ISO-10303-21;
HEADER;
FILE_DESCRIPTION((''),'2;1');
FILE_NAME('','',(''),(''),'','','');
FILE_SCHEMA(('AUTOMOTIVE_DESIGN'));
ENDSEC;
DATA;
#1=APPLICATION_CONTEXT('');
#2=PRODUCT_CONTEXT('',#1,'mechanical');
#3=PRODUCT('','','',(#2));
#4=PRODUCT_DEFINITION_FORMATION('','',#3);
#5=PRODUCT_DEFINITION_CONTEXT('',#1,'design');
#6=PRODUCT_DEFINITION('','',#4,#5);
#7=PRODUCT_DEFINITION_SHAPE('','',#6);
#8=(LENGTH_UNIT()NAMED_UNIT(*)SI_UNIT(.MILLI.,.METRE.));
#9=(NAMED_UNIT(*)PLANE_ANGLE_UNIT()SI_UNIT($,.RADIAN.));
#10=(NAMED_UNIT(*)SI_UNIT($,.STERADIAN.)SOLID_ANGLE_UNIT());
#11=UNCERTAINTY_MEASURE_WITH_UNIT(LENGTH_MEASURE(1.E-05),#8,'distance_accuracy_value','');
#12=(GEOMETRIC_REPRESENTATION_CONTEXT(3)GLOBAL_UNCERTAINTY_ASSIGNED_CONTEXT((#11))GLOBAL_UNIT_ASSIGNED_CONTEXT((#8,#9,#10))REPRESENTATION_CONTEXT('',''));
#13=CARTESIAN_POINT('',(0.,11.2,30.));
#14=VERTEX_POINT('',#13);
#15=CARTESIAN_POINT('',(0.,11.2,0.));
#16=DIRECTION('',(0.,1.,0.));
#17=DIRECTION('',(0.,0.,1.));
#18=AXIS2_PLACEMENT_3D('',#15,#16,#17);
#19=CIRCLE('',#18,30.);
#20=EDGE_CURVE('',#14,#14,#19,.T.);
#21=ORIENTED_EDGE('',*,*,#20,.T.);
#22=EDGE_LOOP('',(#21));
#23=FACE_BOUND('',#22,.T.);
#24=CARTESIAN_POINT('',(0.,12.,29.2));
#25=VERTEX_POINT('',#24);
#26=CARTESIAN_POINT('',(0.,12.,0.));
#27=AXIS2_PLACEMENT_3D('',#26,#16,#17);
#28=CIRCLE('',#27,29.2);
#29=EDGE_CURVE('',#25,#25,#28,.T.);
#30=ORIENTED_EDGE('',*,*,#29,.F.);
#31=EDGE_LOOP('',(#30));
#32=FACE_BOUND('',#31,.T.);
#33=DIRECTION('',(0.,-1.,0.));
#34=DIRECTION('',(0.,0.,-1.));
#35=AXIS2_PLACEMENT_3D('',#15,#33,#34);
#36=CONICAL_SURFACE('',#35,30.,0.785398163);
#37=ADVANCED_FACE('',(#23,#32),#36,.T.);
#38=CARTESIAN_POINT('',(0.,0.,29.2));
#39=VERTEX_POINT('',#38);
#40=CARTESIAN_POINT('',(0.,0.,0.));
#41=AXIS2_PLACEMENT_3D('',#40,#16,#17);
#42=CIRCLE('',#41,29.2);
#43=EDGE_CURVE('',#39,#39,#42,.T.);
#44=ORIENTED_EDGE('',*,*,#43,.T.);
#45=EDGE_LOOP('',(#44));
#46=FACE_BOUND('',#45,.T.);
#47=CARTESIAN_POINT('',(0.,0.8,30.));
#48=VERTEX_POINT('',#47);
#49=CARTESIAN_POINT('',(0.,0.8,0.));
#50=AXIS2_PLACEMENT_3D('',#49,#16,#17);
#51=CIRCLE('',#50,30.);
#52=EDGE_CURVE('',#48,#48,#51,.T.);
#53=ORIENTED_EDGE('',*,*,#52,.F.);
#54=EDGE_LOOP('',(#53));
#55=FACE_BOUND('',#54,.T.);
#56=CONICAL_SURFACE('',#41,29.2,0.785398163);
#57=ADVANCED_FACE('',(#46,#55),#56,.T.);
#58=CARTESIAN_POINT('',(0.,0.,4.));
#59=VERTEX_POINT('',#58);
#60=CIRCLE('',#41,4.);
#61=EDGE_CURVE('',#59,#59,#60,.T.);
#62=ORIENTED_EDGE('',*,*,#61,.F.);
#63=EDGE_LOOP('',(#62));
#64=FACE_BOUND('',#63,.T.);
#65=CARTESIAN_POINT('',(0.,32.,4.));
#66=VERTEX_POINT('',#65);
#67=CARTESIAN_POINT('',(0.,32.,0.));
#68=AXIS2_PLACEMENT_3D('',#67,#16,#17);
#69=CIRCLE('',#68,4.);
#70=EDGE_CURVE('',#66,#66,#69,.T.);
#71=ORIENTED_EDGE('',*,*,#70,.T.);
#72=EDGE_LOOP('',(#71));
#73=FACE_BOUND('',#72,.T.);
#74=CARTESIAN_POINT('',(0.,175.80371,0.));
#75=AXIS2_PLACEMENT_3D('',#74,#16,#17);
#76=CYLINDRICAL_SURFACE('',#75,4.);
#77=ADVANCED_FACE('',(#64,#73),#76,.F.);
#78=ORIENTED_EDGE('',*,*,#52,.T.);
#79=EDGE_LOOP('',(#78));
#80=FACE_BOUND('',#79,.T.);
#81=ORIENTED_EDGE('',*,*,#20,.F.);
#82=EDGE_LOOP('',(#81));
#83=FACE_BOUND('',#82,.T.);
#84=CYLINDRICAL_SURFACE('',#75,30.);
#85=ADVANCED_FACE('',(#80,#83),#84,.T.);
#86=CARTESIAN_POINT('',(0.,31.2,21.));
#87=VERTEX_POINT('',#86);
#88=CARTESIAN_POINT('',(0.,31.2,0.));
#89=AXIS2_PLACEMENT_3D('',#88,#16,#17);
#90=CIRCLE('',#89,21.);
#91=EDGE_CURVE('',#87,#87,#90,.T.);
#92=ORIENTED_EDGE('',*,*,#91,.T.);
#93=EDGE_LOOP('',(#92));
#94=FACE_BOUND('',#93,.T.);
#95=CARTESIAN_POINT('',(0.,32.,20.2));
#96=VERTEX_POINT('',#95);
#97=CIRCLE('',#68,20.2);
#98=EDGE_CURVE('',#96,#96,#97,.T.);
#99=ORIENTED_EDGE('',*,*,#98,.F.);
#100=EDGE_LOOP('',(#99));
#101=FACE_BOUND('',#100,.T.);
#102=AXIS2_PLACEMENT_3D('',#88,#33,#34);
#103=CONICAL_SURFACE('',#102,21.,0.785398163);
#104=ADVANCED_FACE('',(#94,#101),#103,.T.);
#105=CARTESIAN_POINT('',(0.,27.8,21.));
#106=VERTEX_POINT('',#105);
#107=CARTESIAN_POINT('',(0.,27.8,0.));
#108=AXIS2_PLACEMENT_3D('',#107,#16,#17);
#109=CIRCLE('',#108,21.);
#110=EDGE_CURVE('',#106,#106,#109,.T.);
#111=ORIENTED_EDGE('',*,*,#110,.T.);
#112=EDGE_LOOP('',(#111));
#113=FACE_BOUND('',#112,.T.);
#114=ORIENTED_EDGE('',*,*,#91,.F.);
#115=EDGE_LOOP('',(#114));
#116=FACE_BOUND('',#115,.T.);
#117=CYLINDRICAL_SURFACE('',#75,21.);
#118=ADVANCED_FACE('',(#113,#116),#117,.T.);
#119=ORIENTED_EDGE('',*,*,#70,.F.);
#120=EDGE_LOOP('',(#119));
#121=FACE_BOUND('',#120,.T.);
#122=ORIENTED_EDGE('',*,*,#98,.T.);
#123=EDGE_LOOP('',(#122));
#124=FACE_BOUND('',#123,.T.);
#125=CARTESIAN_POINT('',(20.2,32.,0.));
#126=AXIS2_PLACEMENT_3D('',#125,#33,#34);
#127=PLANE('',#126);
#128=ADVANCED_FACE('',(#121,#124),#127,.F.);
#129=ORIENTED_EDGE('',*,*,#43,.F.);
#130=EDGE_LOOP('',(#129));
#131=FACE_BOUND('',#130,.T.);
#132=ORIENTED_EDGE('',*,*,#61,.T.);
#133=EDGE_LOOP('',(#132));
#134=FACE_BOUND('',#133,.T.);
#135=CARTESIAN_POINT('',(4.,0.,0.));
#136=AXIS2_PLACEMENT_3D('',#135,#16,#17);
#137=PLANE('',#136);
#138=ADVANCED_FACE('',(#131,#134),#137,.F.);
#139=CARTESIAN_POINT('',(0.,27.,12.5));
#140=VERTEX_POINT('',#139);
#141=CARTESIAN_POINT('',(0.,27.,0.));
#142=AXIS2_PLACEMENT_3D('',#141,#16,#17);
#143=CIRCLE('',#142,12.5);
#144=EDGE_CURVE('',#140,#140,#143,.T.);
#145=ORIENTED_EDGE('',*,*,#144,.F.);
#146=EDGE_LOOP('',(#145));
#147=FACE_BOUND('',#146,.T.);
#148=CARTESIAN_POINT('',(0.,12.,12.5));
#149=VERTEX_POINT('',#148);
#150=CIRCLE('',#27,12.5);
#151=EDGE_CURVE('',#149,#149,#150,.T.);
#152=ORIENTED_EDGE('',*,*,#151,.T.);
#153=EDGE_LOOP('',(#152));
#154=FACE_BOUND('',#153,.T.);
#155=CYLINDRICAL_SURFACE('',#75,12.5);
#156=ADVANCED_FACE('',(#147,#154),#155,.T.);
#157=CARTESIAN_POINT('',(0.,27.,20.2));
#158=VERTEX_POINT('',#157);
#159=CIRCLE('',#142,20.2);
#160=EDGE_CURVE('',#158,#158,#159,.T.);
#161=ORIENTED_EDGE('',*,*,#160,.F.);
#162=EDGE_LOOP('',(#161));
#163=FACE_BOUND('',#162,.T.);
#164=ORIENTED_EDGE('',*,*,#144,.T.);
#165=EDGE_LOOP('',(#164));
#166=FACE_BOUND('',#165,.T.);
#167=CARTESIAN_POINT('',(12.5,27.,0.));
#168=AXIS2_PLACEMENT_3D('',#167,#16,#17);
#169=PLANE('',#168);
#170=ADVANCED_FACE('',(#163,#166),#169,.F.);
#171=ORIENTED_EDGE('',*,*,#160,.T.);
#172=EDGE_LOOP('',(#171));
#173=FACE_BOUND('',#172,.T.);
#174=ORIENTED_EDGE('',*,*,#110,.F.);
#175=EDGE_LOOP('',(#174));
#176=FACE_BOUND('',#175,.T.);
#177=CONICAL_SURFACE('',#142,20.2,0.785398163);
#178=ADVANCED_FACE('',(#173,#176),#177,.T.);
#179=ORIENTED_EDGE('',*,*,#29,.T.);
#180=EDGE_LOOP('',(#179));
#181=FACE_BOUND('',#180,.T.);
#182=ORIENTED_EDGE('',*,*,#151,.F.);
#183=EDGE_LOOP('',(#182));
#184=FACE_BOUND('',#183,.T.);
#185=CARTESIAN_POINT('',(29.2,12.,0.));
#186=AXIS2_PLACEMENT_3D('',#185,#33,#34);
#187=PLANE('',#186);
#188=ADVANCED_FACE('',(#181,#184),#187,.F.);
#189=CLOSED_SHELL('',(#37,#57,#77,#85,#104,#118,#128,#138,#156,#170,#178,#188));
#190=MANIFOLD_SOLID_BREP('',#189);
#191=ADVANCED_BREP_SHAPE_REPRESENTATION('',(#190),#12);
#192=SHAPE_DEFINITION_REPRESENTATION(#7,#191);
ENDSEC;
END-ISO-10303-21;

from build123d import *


with BuildPart() as part:
    # Croquis1 → Revolución1 (revolve)
    with BuildSketch(Plane.XY):
        Polygon((4, 0), (29.2, 0), (30, 0.8), (30, 11.2), (29.2, 12), (12.5, 12), (12.5, 27), (20.2, 27), (21, 27.8), (21, 31.2), (20.2, 32), (4, 32), align=None)
    revolve(axis=Axis((0, 175.803710109, 0), (0, -1, 0)))


solid = part.part
